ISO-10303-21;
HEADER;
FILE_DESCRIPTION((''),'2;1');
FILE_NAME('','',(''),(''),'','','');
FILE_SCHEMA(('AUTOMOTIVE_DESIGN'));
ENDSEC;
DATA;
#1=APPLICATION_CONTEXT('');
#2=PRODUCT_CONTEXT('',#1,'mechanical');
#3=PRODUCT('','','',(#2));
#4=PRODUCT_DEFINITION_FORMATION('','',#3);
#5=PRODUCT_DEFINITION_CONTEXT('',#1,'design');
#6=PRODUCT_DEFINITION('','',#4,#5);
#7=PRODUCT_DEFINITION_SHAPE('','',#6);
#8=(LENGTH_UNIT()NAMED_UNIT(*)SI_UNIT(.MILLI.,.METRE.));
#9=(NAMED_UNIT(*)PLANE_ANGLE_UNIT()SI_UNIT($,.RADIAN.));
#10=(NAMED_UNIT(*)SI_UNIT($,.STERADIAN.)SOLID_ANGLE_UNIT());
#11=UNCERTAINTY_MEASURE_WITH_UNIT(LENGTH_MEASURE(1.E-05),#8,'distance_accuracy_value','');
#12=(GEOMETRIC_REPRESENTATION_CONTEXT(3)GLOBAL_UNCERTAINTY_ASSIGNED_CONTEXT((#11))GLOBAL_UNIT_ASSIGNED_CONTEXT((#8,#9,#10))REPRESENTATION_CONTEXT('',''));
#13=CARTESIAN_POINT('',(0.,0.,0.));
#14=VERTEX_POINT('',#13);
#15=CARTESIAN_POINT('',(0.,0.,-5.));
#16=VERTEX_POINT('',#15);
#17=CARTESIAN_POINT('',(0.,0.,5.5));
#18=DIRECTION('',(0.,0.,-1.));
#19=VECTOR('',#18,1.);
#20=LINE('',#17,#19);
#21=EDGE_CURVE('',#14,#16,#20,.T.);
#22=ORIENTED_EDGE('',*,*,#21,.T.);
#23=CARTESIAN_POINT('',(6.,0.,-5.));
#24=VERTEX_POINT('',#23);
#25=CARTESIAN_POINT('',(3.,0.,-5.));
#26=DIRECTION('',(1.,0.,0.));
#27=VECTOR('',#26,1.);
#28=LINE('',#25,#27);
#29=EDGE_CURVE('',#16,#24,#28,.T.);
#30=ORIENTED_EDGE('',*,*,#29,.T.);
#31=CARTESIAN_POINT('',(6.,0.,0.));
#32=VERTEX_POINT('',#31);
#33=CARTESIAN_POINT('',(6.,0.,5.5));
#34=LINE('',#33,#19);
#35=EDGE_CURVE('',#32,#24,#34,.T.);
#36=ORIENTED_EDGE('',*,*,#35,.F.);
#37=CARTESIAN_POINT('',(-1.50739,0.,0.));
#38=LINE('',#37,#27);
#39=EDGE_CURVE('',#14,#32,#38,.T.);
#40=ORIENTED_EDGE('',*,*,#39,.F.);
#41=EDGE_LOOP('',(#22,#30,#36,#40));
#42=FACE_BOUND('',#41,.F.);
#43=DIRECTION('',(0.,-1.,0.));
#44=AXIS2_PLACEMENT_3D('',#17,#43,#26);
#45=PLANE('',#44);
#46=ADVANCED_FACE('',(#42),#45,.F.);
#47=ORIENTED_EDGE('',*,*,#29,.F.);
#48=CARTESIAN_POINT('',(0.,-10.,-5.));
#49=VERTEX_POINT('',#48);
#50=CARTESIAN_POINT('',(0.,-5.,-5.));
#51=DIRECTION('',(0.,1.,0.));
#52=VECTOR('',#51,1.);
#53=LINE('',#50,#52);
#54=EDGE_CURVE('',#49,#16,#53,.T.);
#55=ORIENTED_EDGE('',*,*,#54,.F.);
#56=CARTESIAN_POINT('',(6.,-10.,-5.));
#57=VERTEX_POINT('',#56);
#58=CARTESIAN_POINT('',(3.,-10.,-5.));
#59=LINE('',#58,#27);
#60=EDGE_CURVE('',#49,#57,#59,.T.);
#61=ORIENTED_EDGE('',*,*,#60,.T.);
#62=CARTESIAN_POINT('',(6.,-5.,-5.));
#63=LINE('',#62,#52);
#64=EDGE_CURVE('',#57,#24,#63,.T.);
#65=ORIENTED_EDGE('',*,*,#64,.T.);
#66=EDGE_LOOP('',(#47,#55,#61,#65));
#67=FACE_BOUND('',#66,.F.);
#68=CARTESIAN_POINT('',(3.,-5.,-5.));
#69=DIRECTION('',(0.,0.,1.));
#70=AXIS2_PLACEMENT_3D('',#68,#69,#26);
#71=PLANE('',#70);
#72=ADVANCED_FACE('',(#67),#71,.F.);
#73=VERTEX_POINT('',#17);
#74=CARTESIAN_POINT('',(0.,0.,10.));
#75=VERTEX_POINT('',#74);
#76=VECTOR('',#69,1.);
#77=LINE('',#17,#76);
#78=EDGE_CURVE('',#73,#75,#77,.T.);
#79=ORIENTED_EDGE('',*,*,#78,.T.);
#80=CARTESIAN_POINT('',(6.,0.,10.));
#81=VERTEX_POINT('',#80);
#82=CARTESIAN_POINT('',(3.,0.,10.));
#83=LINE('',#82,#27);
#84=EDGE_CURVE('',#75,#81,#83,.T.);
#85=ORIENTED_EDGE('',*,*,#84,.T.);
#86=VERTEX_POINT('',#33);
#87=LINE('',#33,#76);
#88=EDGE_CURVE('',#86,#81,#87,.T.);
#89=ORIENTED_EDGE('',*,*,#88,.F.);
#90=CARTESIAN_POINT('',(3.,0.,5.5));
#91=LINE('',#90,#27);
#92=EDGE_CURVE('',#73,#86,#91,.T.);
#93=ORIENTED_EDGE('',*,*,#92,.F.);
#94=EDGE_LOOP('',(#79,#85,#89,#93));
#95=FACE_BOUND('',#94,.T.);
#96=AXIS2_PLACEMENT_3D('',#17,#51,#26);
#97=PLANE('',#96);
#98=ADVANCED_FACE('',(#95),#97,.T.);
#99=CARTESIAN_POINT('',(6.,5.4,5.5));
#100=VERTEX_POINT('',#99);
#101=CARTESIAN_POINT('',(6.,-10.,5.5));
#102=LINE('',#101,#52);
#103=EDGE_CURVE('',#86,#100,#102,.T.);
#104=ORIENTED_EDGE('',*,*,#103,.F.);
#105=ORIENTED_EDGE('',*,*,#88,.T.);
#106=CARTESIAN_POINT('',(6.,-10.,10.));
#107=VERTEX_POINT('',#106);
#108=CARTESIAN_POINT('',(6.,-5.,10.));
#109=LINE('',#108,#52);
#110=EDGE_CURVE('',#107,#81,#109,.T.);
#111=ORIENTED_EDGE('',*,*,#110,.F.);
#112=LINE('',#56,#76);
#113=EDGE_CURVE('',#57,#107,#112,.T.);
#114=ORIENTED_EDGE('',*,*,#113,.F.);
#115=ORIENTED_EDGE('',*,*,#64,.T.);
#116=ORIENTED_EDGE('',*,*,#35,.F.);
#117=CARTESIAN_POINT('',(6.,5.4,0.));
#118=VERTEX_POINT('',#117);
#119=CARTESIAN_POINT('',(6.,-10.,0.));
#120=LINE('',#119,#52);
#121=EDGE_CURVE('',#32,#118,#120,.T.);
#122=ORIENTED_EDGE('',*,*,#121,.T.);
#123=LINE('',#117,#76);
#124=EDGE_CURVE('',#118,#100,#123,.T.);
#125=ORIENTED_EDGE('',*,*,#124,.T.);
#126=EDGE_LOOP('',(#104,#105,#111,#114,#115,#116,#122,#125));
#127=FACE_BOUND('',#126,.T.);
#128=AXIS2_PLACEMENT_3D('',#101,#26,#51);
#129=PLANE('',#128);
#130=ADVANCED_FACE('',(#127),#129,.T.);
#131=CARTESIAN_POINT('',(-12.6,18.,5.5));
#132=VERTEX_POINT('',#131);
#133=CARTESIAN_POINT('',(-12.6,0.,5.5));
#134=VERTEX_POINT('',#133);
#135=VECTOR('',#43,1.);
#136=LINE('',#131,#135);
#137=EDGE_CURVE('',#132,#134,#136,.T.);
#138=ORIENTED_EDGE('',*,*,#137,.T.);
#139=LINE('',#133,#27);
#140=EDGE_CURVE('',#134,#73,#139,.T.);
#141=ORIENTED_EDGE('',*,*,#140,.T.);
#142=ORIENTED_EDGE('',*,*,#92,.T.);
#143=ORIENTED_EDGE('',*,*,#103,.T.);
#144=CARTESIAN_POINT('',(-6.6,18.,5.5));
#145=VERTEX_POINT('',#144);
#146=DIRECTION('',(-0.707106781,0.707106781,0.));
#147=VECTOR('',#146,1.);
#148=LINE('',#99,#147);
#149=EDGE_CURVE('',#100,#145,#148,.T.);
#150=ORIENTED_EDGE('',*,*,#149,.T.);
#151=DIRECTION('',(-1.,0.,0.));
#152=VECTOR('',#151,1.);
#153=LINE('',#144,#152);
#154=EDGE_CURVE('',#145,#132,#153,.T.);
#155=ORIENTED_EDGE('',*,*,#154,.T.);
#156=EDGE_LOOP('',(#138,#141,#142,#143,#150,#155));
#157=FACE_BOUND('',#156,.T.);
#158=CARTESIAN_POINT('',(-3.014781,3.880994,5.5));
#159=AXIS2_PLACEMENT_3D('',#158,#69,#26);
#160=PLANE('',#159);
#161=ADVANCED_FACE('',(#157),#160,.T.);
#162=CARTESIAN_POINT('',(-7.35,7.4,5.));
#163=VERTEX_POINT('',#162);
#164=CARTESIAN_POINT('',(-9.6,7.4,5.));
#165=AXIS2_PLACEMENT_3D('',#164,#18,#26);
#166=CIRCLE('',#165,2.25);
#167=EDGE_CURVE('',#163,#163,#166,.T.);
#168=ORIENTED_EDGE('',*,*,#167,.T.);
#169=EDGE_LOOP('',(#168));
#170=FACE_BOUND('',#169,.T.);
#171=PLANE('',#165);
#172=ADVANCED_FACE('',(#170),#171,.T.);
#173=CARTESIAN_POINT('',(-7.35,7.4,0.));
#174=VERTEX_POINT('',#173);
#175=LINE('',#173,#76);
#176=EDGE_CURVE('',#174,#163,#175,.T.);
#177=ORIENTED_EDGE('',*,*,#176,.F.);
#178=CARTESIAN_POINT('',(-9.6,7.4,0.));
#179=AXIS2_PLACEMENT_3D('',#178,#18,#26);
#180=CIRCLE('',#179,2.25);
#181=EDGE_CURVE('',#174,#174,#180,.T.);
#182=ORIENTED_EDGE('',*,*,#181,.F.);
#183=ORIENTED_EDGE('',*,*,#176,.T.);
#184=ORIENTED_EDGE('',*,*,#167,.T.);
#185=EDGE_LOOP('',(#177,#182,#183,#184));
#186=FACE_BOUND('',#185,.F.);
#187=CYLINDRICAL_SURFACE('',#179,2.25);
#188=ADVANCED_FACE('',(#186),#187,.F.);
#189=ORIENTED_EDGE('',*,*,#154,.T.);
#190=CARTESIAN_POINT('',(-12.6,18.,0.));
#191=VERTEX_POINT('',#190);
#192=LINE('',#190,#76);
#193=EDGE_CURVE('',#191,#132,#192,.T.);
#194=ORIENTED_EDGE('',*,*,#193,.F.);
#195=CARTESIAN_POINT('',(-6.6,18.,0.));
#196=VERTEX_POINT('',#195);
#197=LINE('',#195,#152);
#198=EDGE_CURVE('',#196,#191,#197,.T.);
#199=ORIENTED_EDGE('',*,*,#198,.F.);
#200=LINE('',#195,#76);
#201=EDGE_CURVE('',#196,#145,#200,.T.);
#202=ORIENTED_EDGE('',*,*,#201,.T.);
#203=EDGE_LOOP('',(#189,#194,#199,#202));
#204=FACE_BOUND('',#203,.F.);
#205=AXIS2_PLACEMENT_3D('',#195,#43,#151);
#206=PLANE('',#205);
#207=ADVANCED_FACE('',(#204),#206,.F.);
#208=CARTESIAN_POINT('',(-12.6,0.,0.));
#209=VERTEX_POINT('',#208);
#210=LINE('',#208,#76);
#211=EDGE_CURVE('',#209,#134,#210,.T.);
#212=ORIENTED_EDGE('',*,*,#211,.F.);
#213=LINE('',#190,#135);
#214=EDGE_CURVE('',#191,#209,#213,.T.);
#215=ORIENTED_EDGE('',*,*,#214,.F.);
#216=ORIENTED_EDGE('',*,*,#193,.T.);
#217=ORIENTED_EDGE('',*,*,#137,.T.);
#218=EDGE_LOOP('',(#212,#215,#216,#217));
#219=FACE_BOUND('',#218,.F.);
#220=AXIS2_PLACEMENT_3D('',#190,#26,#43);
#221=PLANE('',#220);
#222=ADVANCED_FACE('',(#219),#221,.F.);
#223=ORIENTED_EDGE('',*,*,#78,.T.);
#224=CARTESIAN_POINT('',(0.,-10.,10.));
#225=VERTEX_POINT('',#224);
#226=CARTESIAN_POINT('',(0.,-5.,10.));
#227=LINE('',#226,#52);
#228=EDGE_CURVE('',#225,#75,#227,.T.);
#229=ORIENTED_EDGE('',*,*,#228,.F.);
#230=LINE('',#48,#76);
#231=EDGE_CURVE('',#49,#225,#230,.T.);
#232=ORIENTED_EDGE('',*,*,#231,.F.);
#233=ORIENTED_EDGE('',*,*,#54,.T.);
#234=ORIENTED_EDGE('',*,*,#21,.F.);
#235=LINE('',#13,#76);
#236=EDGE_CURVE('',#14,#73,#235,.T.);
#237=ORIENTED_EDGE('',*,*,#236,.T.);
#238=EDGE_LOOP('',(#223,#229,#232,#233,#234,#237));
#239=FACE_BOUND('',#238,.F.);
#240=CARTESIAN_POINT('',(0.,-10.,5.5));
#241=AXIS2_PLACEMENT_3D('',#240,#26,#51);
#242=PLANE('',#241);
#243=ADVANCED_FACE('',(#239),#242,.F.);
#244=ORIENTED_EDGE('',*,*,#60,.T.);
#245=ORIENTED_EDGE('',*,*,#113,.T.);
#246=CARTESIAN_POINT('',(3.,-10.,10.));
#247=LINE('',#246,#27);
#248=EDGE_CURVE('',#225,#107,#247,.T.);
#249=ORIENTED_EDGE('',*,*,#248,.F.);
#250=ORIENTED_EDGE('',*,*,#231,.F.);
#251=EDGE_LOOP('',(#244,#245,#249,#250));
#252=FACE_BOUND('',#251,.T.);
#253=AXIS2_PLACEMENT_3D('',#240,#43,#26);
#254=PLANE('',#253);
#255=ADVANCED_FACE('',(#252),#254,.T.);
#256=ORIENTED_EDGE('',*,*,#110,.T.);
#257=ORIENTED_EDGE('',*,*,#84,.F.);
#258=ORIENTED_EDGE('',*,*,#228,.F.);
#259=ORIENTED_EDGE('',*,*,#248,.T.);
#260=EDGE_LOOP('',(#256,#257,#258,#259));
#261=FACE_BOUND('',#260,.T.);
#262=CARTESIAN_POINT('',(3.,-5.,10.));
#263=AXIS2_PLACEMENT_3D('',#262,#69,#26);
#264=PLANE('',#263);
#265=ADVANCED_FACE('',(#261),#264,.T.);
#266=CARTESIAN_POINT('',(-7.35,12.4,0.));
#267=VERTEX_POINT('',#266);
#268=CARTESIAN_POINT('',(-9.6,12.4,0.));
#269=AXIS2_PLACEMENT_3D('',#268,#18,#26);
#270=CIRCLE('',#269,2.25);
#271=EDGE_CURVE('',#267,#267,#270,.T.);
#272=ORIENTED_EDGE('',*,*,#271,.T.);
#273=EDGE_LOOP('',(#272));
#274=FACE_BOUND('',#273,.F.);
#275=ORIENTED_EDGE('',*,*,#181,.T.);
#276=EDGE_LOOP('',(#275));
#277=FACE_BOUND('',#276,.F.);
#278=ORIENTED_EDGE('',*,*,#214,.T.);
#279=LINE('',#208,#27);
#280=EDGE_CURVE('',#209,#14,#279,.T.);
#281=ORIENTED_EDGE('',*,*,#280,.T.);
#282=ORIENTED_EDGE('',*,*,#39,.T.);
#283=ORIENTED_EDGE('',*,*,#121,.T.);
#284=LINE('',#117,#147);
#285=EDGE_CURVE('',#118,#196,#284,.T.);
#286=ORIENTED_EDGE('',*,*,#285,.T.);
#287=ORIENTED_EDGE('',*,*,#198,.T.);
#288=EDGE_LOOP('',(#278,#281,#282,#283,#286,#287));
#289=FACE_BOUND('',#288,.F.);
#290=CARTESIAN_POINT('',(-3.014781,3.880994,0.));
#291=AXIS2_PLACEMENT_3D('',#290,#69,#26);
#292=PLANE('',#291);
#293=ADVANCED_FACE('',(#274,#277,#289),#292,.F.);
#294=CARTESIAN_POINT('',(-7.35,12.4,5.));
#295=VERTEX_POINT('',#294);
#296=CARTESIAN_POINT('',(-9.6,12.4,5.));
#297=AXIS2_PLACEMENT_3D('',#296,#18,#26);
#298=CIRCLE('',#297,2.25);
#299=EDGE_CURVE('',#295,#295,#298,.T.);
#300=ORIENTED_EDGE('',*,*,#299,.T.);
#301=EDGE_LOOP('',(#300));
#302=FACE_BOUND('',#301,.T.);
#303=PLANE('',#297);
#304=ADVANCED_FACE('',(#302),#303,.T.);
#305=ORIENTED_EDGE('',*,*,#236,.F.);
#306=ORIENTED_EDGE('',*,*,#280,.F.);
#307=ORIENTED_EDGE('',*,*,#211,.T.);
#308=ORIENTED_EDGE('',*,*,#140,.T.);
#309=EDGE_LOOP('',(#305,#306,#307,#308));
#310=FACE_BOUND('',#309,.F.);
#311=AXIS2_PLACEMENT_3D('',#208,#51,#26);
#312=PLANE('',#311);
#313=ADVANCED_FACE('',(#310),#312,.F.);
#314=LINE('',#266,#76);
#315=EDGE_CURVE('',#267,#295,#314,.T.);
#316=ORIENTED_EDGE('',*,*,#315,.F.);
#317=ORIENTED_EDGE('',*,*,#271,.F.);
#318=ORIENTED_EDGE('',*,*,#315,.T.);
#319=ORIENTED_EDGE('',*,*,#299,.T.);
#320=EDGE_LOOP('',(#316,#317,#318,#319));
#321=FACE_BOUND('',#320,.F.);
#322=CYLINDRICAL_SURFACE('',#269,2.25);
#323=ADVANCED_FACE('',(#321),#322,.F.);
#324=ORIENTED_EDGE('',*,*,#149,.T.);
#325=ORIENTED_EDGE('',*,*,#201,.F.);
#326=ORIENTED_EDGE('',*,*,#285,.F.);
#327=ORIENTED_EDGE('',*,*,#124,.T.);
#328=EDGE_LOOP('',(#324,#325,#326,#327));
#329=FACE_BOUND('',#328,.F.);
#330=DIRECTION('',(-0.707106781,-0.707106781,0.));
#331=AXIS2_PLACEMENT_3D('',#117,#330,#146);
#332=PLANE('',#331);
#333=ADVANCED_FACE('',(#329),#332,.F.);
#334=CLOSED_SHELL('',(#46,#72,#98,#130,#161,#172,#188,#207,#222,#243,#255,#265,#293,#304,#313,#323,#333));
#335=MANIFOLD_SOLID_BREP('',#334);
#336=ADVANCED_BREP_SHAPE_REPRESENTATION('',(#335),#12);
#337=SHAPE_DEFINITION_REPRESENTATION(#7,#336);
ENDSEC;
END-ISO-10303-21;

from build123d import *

# Parameters (mm, degrees)
PAD_DEPTH         = 5.5
SKETCH001_W       = 6
SKETCH001_H       = 10
PAD001_DEPTH      = 4.5
PAD001_DEPTH_BACK = 10.5
SKETCH002_R       = 2.25
POCKET_DEPTH      = 5


with BuildPart() as part:
    # Sketch → Pad (new body)
    with BuildSketch(Plane.XY):
        Polygon((-12.6, 18), (-12.6, 0), (0, 0), (0, -10), (6, -10), (6, 5.4), (-6.6, 18), align=None)
    extrude(amount=PAD_DEPTH)

    # Sketch001 (on Face9 of Pad) → Pad001 (join, two sides)
    with BuildSketch(Plane.XY.offset(5.5)) as pad001_sk:
        with Locations((3, -5)):
            Rectangle(SKETCH001_W, SKETCH001_H)
    extrude(amount=PAD001_DEPTH)
    extrude(pad001_sk.sketch, amount=-PAD001_DEPTH_BACK)

    # Sketch002 (on Face4 of Pad001) → Pocket (cut)
    with BuildSketch(Plane(origin=(0, 0, 0), x_dir=(1, 0, 0), z_dir=(0, 0, -1))):
        with Locations((-9.6, -7.4)):
            Circle(SKETCH002_R)
        with Locations((-9.6, -12.4)):
            Circle(SKETCH002_R)
    extrude(amount=-POCKET_DEPTH, mode=Mode.SUBTRACT)


solid = part.part
